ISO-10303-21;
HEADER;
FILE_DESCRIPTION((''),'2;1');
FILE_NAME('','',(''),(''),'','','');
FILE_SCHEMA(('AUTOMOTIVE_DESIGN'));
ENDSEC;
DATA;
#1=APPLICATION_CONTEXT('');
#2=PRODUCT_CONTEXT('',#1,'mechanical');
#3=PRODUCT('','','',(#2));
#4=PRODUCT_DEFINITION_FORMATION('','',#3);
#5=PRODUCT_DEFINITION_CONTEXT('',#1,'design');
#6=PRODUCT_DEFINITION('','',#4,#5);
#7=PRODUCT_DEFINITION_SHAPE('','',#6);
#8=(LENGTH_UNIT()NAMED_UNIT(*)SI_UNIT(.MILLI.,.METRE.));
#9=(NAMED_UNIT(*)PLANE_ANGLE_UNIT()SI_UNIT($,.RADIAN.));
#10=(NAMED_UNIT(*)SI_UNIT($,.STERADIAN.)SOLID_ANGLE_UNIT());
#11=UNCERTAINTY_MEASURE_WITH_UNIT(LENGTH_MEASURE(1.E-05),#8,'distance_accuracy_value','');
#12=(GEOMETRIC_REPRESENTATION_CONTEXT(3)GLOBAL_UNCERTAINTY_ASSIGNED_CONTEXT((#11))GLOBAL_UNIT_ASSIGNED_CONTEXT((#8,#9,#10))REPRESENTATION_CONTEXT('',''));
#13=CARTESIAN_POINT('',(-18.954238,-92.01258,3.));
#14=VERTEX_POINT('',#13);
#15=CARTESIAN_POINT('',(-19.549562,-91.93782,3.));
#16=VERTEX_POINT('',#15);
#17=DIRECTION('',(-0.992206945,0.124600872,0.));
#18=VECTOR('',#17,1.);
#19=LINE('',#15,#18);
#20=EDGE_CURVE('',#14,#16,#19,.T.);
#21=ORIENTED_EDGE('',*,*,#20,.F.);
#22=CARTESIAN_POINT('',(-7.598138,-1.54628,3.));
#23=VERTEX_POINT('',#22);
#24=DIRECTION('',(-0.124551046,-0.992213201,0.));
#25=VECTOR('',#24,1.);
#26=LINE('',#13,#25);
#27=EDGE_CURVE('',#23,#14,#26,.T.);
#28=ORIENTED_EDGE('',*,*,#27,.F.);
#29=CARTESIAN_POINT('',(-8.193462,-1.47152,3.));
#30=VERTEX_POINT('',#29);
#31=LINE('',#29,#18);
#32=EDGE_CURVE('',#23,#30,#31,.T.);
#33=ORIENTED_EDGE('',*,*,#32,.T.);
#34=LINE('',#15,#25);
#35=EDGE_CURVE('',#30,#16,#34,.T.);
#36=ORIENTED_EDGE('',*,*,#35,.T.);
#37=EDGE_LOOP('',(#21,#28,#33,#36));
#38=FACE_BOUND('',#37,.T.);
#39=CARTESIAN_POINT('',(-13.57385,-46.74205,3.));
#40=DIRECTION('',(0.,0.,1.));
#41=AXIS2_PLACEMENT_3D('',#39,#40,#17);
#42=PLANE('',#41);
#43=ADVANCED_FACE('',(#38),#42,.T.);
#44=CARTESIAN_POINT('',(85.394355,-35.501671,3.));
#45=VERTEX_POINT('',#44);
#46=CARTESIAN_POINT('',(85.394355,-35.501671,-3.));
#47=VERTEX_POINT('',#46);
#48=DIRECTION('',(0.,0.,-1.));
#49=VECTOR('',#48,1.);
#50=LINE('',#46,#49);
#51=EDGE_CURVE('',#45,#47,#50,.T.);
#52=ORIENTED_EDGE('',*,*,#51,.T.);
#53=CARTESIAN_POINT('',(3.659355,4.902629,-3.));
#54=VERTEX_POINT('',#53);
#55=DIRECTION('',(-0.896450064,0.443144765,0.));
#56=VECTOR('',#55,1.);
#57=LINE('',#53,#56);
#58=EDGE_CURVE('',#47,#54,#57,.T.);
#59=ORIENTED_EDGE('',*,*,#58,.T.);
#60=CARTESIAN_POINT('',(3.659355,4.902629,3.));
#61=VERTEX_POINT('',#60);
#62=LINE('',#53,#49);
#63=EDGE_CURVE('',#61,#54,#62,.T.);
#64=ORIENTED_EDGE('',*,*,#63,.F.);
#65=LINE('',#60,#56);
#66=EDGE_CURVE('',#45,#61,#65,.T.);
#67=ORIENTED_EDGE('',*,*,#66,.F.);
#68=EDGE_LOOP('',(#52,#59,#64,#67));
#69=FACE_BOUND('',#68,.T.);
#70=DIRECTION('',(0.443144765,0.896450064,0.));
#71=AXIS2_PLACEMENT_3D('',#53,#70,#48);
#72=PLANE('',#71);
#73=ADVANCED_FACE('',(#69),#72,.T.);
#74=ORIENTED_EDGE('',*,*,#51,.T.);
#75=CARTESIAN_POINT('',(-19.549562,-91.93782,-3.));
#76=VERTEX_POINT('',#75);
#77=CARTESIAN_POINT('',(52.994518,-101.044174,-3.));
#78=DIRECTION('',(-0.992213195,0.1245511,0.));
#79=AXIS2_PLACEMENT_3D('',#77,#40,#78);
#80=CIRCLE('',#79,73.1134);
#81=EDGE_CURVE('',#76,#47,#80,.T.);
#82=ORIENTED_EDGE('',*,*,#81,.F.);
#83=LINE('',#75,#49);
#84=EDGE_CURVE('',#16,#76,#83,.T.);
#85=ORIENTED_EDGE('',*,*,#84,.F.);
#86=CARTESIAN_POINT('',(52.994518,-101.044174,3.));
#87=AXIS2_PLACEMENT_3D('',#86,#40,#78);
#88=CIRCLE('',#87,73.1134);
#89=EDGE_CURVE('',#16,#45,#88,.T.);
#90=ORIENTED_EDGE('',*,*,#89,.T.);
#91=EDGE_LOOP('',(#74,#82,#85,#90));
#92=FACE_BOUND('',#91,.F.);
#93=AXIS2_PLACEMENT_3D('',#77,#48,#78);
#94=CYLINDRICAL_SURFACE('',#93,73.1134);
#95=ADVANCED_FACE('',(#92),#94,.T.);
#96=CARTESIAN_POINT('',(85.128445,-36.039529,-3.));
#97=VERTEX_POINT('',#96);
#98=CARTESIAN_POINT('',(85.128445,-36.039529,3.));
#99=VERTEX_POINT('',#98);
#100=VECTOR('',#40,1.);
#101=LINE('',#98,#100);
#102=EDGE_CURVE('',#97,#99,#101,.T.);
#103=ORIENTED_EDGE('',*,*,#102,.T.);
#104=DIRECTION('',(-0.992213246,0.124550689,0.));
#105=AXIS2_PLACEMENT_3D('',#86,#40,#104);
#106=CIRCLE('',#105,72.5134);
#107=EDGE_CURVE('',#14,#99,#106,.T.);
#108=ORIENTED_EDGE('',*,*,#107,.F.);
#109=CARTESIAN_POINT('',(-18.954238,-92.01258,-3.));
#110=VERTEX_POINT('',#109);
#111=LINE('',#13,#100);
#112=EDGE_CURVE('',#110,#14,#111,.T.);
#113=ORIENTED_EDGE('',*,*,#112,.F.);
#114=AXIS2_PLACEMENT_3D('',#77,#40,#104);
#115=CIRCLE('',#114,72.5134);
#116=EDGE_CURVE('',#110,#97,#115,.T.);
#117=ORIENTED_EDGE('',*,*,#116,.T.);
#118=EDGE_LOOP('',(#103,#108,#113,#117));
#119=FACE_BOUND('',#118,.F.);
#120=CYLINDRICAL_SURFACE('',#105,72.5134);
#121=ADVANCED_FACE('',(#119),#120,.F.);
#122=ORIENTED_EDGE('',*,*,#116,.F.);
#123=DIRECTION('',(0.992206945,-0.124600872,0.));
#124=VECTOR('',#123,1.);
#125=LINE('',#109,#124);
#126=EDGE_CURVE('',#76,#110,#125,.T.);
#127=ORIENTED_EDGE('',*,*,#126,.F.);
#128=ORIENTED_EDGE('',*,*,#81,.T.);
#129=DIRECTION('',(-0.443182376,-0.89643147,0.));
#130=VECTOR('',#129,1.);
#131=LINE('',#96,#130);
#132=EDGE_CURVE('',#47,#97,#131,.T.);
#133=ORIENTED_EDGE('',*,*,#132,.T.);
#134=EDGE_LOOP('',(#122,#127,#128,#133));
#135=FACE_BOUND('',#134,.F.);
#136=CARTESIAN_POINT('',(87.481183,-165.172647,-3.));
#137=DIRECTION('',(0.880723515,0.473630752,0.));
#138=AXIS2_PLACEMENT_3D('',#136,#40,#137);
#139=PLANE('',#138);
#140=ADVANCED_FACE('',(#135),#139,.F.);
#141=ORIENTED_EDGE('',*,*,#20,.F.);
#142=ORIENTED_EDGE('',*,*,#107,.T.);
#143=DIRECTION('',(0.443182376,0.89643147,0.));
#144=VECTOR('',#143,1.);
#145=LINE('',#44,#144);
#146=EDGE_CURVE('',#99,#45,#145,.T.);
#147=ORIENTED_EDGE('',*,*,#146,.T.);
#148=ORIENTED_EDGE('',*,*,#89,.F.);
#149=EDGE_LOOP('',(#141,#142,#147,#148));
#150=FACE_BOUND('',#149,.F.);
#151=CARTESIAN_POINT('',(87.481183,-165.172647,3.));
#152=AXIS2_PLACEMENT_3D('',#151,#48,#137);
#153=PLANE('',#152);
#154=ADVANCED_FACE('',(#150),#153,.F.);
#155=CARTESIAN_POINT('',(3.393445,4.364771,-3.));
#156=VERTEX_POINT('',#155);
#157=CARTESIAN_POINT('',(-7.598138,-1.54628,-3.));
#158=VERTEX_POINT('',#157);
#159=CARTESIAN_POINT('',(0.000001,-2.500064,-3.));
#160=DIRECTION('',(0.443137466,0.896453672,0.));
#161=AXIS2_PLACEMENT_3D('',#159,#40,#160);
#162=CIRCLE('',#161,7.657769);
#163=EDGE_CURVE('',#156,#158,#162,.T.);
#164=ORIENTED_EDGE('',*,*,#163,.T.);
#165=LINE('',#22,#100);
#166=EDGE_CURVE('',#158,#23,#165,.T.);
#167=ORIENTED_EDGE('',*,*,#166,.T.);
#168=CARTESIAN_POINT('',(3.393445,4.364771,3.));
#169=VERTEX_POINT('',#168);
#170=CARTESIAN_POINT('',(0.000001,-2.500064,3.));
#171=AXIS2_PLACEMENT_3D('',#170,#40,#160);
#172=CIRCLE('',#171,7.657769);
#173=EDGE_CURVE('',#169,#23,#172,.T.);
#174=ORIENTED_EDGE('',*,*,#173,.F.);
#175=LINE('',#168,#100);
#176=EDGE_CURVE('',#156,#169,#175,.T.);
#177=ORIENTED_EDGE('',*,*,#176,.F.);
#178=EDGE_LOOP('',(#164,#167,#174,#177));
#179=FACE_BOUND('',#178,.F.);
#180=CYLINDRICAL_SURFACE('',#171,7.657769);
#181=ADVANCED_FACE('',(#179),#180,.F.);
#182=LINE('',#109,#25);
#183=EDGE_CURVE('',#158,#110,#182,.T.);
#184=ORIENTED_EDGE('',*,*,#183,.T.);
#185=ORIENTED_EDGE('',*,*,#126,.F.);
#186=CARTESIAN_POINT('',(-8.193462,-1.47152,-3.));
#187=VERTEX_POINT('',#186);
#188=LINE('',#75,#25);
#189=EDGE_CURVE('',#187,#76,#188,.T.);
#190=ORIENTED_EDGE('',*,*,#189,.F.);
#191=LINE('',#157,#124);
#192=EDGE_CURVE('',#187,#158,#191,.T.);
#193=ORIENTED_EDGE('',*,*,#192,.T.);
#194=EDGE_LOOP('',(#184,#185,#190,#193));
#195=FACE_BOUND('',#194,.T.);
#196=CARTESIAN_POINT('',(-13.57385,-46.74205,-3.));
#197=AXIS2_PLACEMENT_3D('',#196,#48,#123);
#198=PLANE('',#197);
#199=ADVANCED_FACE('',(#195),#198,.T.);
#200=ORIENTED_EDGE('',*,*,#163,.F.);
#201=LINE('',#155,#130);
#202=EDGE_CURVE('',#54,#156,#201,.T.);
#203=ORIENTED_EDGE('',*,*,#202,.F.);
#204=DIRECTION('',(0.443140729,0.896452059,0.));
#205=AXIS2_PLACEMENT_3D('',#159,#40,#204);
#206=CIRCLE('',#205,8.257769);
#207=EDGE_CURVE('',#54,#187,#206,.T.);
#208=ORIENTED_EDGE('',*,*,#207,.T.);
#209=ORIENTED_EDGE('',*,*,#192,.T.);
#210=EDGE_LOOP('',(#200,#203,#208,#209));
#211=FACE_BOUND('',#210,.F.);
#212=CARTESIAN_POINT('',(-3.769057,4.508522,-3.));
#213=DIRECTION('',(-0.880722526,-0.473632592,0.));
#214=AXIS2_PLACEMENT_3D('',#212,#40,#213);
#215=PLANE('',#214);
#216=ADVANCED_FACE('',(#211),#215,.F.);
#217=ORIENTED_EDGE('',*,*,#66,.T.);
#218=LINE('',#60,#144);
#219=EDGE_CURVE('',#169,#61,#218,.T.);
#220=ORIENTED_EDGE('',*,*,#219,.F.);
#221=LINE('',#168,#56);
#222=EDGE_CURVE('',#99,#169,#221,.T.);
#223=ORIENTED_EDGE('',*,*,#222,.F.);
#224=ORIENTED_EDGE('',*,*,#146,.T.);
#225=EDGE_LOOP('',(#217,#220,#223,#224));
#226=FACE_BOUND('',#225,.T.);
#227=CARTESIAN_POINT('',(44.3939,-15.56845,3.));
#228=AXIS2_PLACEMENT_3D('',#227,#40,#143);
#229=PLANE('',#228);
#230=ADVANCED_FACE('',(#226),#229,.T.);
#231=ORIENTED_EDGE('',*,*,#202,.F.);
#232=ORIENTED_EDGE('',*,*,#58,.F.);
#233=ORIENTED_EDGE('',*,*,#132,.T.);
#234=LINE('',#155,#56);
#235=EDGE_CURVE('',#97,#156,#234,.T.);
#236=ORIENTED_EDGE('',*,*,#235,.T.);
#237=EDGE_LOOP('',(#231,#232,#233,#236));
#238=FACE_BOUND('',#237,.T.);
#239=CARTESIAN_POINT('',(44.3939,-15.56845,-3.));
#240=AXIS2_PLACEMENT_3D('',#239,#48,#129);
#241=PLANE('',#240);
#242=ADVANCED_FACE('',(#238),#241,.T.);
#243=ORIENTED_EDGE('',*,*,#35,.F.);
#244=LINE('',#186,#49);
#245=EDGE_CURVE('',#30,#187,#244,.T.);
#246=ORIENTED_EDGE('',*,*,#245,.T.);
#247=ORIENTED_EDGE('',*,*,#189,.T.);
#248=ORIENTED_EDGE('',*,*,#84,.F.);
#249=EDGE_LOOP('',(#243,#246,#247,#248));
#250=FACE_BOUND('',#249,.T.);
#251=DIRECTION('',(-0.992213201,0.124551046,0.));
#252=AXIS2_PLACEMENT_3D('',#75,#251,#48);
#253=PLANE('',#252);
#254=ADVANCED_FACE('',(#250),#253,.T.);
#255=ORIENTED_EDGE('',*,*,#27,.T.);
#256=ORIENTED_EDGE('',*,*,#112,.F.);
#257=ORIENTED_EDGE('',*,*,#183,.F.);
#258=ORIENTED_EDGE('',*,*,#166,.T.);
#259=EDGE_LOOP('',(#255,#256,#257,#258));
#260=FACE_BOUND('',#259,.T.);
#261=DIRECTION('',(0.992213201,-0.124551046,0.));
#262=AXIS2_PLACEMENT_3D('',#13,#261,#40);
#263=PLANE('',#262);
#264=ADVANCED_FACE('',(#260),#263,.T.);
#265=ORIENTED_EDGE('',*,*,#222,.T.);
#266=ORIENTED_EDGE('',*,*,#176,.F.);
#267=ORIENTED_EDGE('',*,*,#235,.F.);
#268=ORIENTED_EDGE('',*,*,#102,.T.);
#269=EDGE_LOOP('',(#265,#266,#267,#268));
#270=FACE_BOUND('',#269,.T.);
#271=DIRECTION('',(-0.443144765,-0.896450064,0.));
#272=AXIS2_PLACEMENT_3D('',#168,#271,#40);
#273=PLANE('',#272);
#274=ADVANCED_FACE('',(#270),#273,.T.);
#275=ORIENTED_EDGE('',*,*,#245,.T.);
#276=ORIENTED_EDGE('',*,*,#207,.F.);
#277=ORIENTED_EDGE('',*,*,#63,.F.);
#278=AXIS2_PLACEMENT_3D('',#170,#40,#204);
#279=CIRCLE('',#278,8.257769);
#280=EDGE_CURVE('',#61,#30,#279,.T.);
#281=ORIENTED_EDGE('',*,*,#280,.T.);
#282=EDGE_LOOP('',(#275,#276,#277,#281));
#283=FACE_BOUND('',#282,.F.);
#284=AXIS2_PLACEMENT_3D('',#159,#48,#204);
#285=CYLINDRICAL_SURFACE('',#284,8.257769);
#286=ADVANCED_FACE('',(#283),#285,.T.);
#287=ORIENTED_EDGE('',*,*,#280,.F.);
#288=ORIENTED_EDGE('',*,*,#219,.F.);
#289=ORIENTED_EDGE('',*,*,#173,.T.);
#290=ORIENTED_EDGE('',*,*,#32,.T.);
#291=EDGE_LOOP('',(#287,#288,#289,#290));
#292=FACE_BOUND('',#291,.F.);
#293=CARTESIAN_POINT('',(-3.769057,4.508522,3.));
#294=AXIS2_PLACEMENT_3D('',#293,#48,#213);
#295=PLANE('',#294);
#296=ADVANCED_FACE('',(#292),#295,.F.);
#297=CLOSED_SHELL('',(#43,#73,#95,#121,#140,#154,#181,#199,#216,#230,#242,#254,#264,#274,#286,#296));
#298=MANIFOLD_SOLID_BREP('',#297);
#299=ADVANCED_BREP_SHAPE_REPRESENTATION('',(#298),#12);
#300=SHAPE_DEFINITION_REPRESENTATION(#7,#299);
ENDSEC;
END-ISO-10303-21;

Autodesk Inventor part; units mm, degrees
sketch "Sketch Path" plane through (0, 0, 0) normal (0, 0, 1) x (1, 0, 0)
  arc A0 (3.5264, 4.6337) -> (-7.8958, -1.5089) centre (0, -2.5) ccw
  arc A1 (-19.2519, -91.9752) -> (85.2614, -35.7706) centre (52.9945, -101.0442) ccw
  line L0 (-19.2519, -91.9752) -> (-7.8958, -1.5089)
  line L1 (3.5264, 4.6337) -> (85.2614, -35.7706)
ref_plane "Cross Section Plane" through (-7.8958, -1.5089, 0) normal (-0.1246, -0.9922, 0) x (0, 0, 1)
ref_plane "Work Plane2" through (0, -2.5, 0) normal (-1, 0, 0) x (0, 0, 1)
ref_plane "Work Plane3" through (52.9945, -101.0442, 0) normal (-0.8954, 0.4452, 0) x (0, 0, 1)
sketch "Cross Section" plane through (-7.8958, -1.5089, 0) normal (-0.1246, -0.9922, 0) x (0, 0, 1)
  line L0 (-3, 0.3) -> (3, 0.3)
  line L1 (3, 0.3) -> (3, -0.3)
  line L2 (3, -0.3) -> (-3, -0.3)
  line L3 (-3, -0.3) -> (-3, 0.3)
  line L4 (-3, 0) -> (3, 0) construction
  point P0 (0, 0)
  point P1 (0, 0)
  dimension "d0" = 6
  dimension "d4" = 0.3
  dimension "d5" = 0.3
sweep "Belt" add profiles "Cross Section" path "Sketch Path"
equation "\"d0\" = da_B"
equation "\"d4\" = da_a"
equation "\"d5\" = da_a2"
equation "\"da_B\" = 6"
equation "\"da_pb\" = 2.5"
equation "\"da_L\" = 516.30098"
equation "\"da_a\" = 0.3"
equation "\"da_S\" = 1.5"
equation "\"da_Beta\" = 20deg"
equation "\"da_Ht\" = 0.7"
equation "\"da_H\" = 1.3"
equation "\"da_a2\" = 0.3"
properties part number "Synchronous Belt" material "Rubber"
